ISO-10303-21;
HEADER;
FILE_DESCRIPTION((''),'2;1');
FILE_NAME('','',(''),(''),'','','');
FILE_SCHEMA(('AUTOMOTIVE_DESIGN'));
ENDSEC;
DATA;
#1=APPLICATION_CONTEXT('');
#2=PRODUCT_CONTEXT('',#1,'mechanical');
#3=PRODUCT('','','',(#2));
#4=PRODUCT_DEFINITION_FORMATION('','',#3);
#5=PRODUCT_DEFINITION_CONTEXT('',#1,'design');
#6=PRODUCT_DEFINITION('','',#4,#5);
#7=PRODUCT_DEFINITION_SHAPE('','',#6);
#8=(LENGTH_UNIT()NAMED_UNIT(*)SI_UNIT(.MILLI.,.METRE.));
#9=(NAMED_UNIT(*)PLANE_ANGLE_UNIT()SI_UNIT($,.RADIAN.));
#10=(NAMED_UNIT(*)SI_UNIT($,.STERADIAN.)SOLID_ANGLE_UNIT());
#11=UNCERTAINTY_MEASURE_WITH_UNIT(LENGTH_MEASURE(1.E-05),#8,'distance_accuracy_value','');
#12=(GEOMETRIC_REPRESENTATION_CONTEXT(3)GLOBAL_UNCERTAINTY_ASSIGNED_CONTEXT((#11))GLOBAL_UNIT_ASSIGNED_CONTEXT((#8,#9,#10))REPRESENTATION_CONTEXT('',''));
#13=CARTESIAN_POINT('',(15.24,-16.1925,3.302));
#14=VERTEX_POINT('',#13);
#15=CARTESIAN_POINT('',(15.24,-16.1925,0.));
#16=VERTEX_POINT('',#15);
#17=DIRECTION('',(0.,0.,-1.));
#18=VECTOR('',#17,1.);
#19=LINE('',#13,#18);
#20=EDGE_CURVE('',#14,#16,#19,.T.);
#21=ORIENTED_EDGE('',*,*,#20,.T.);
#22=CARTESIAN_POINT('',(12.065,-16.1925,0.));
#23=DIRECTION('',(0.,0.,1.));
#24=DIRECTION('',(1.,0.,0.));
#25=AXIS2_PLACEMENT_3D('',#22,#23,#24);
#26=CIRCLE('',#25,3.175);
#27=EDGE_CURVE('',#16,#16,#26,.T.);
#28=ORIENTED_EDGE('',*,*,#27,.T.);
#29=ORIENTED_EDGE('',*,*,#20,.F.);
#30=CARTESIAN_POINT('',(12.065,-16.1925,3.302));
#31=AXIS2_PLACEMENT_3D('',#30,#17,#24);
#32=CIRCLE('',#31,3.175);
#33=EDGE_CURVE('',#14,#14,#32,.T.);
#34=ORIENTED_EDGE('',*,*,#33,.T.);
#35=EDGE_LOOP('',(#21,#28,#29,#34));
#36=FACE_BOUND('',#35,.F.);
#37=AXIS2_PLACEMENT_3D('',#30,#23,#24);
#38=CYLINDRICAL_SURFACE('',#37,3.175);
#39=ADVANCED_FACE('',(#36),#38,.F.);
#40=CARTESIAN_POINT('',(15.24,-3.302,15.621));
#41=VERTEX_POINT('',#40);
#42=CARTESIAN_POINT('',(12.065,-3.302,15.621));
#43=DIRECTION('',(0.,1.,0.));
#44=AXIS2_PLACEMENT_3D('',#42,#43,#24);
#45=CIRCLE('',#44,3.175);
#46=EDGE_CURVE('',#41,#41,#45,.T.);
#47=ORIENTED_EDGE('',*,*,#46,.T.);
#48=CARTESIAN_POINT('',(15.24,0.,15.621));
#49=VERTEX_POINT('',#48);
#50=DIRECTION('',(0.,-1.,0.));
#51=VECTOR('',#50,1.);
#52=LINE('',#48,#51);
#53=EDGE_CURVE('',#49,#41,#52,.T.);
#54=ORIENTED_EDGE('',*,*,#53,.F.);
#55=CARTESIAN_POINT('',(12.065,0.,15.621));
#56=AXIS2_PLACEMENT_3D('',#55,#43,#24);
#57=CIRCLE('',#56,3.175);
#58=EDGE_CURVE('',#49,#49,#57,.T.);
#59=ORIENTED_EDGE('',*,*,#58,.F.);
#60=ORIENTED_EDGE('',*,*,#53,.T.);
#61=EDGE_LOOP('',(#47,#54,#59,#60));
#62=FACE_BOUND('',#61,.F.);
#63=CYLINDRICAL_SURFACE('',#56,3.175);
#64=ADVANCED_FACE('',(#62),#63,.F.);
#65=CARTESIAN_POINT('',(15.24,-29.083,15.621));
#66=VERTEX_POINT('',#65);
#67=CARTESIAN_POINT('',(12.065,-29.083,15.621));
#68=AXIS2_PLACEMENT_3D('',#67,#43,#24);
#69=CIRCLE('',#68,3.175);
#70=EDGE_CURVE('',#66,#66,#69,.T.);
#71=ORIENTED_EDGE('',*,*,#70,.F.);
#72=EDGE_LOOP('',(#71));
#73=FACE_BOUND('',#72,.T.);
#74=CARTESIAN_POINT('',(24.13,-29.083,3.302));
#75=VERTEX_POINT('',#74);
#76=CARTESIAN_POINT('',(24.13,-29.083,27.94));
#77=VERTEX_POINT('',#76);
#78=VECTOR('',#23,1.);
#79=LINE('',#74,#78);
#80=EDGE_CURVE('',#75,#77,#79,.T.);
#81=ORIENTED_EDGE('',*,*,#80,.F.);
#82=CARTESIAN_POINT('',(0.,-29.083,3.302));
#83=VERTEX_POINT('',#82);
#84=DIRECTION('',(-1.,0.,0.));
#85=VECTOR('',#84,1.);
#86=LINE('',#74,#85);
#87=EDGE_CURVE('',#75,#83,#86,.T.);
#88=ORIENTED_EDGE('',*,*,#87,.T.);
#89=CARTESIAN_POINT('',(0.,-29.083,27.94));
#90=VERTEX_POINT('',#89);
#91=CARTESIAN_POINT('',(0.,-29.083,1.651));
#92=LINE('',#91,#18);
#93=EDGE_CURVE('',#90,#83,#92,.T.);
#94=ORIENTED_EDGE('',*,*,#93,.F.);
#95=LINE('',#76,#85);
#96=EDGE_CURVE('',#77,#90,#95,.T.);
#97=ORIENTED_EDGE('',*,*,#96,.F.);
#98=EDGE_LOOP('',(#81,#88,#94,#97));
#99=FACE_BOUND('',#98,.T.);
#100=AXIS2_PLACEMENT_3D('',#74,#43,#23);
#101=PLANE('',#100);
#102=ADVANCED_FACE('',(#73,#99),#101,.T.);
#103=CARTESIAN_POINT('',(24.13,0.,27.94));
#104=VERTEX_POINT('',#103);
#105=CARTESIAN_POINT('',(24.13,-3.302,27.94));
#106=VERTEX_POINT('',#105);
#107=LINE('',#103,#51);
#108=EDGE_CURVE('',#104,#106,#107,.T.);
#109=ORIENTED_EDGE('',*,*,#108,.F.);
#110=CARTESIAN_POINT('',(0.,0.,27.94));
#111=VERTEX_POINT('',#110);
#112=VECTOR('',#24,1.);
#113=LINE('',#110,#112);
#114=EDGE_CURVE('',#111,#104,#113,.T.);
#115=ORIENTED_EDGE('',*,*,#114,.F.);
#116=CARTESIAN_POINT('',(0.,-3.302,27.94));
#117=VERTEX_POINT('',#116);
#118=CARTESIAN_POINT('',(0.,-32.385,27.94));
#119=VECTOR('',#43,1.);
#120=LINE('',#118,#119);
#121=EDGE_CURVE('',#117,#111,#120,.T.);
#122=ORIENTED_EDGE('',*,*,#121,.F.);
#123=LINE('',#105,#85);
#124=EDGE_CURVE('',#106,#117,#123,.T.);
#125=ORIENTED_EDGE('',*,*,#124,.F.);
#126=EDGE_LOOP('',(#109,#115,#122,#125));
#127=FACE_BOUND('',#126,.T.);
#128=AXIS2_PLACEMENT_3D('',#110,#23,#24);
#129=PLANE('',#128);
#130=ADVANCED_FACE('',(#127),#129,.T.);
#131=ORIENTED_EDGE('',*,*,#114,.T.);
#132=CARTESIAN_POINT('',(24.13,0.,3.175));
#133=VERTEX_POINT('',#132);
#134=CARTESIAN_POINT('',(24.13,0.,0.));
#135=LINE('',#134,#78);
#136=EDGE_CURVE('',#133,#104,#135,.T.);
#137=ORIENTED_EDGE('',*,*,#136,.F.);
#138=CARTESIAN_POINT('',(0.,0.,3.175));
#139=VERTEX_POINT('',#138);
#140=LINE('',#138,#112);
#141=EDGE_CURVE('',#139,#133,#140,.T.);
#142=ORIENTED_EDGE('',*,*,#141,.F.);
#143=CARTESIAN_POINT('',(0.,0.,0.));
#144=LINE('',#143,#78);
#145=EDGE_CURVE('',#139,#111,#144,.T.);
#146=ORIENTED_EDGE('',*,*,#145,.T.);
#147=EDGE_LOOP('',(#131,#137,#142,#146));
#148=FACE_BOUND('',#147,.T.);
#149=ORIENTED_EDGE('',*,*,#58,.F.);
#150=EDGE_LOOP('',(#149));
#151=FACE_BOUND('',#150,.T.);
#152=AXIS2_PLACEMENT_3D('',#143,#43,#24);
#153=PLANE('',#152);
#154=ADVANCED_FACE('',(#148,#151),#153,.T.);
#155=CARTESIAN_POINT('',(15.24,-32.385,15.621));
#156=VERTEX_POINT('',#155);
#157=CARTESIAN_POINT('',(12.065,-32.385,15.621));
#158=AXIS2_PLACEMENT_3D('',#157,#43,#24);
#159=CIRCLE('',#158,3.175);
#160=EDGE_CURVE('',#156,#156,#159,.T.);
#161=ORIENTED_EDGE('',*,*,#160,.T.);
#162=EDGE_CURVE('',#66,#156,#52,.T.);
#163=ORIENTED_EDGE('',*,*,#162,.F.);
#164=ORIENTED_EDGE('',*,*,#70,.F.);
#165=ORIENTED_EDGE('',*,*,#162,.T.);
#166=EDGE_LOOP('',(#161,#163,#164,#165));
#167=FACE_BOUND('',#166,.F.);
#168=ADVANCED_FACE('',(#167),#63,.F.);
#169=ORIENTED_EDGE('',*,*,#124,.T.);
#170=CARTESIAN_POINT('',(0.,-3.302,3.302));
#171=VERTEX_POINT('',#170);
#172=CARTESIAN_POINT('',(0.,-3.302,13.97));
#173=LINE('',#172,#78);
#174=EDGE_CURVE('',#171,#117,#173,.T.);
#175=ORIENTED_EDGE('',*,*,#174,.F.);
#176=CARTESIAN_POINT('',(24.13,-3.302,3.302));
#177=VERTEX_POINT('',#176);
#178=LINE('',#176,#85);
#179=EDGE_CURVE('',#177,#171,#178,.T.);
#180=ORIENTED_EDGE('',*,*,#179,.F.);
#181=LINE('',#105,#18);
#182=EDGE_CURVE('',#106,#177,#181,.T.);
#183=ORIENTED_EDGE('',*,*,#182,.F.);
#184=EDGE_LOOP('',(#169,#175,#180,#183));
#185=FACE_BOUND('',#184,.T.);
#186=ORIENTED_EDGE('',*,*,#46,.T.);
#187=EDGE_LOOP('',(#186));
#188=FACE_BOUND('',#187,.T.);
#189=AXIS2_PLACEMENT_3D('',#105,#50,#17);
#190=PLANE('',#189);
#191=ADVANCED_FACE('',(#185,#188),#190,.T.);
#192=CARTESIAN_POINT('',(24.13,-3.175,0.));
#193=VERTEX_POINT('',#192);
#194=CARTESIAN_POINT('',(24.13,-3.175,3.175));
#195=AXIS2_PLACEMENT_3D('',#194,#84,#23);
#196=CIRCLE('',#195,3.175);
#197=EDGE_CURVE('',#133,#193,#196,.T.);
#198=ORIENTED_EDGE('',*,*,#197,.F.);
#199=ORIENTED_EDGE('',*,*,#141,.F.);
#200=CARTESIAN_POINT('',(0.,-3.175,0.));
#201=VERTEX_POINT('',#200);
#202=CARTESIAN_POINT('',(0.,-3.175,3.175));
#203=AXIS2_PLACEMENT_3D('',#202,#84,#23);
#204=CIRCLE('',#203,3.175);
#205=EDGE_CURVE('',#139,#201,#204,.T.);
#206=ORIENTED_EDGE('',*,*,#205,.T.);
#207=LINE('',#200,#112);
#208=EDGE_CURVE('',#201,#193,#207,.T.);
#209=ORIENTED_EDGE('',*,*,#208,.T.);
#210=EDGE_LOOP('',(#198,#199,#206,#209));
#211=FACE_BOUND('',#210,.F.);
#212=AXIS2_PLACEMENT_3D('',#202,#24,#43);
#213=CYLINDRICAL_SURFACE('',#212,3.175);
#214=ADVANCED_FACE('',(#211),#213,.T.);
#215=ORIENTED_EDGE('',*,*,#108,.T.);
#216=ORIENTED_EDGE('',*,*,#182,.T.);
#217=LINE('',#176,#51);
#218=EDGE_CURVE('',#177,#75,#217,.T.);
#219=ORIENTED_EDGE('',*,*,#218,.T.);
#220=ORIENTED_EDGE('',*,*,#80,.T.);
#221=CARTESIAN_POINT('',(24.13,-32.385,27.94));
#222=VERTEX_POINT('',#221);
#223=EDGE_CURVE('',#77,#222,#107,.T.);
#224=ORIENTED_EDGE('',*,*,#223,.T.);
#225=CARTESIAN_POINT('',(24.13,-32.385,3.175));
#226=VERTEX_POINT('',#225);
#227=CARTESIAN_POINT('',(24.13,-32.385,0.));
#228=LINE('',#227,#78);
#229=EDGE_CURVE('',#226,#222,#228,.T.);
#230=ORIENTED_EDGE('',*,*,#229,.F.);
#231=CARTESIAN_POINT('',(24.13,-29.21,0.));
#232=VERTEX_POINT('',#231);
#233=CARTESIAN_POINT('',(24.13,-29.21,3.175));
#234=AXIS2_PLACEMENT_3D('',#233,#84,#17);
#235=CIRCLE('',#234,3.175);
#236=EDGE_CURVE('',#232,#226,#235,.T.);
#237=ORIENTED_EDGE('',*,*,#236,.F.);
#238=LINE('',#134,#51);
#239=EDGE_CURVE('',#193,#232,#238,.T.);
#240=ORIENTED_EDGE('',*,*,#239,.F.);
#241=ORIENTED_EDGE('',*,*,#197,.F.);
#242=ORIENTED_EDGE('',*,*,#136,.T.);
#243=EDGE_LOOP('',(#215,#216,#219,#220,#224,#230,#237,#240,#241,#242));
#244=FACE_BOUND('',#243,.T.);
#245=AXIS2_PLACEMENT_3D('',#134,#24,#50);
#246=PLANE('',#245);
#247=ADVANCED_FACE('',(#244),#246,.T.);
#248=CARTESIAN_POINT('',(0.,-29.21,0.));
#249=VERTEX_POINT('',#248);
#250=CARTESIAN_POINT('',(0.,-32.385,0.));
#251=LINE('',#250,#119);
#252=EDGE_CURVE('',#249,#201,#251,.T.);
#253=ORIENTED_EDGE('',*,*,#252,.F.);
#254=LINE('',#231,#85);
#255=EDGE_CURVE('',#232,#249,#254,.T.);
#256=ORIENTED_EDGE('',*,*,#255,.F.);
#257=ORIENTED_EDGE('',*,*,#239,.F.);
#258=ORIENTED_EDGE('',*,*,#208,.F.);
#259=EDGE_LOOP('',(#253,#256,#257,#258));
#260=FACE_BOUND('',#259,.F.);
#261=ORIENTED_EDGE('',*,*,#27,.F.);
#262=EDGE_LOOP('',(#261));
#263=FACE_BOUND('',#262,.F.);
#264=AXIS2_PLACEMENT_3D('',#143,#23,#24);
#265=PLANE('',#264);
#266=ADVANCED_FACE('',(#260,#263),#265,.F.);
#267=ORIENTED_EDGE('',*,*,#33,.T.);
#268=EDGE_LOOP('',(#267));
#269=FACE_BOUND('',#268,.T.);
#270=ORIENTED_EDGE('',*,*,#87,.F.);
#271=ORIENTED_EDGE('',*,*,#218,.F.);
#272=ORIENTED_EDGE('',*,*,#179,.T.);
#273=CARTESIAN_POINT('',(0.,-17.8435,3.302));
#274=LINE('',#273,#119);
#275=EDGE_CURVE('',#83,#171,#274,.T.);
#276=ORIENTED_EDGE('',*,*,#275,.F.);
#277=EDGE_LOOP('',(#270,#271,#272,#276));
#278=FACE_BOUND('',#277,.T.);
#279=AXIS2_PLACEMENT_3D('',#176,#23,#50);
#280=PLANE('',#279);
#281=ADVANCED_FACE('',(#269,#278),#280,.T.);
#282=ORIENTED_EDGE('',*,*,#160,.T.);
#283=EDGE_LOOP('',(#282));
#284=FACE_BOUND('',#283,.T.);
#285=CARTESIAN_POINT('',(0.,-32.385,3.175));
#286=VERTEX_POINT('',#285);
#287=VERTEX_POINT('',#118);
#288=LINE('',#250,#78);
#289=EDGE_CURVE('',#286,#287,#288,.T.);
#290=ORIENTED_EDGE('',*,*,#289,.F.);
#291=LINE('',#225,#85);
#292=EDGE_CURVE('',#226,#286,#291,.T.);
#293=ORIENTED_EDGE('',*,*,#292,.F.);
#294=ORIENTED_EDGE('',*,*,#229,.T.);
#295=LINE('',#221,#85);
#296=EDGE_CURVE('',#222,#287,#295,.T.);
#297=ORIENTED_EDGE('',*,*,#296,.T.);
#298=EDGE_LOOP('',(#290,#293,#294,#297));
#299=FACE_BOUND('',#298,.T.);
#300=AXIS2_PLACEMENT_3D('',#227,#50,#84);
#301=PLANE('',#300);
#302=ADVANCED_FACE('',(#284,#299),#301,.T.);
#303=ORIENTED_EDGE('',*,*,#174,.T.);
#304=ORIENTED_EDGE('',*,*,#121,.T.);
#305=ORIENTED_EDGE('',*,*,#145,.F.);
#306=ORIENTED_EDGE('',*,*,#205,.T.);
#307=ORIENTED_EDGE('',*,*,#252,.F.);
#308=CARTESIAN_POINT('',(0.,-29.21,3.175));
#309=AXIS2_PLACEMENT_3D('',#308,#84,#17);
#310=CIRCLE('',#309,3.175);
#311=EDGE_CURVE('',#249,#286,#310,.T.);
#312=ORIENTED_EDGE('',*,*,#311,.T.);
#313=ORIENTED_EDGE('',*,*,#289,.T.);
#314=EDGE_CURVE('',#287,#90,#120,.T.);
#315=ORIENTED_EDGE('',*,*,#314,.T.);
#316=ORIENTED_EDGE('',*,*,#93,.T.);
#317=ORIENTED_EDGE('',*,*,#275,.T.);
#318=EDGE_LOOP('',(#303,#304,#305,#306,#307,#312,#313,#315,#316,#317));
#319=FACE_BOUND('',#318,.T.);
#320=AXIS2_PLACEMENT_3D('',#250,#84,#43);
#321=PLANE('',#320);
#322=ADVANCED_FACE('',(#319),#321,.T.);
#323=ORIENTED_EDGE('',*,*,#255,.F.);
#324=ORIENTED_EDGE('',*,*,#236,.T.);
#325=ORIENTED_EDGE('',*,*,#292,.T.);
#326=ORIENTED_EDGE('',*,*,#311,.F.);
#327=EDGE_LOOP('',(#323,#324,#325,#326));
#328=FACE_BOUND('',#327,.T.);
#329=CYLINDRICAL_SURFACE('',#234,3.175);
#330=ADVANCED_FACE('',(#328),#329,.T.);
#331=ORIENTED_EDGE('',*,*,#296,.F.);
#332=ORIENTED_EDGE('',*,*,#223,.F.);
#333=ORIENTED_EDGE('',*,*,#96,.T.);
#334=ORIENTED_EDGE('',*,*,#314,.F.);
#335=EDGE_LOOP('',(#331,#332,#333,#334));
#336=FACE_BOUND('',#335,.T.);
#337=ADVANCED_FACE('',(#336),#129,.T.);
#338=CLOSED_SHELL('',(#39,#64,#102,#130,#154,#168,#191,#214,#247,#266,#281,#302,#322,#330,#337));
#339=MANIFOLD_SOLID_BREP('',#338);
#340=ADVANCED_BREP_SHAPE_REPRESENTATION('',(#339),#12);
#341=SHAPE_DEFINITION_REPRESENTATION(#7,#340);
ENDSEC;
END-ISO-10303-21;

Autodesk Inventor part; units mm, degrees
ref_plane "YZ Plane" through (0, 0, 0) normal (1, 0, 0) x (0, 1, 0)
ref_plane "XZ Plane" through (0, 0, 0) normal (0, 1, 0) x (-1, 0, 0)
ref_plane "XY Plane" through (0, 0, 0) normal (0, 0, 1) x (1, 0, 0)
sketch "Sketch1" plane through (0, 0, 0) normal (0, 0, 1) x (1, 0, 0)
  line L0 (0, 0) -> (24.13, 0)
  line L1 (24.13, 0) -> (24.13, -32.385)
  line L2 (24.13, -32.385) -> (0, -32.385)
  line L3 (0, -32.385) -> (0, 0)
  dimension "d0" = 24.13
  dimension "d1" = 32.385
extrude "Extrusion1" add sketch "Sketch1" along normal blind 27.94
sketch "Sketch2" plane through (24.13, -32.385, 0) normal (1, 0, 0) x (0, 0, -1)
  line L0 (-27.94, 29.083) -> (-3.302, 29.083)
  line L1 (-3.302, 29.083) -> (-3.302, 3.302)
  line L2 (-3.302, 3.302) -> (-27.94, 3.302)
  line L3 (-27.94, 3.302) -> (-27.94, 29.083)
  line L4 (-27.94, 0) -> (-27.94, 32.385) projected
  line L5 (0, 0) -> (-27.94, 0) projected
  line L6 (0, 32.385) -> (0, 0) projected
  line L7 (0, 32.385) -> (-27.94, 32.385) projected
  dimension "d4" = 0
  dimension "d5" = 3.302
  dimension "d6" = 3.302
  dimension "d7" = 3.302
extrude "Extrusion2" cut sketch "Sketch2" against normal blind 34.925 contours L0 L1 L2 L3
sketch "Sketch3" plane through (24.13, -29.083, 3.302) normal (0, 0, 1) x (1, 0, 0)
  line L0 (-24.13, 0) -> (-24.13, 25.781) projected
  line L1 (0, 0) -> (-24.13, 0) projected
  line L2 (0, 25.781) -> (0, 0) projected
  line L3 (0, 25.781) -> (-24.13, 25.781) projected
  line L4 (-24.13, 25.781) -> (0, 25.781) projected
  line L5 (-12.065, 25.781) -> (-12.065, 0)
  line L6 (0, 0) -> (-24.13, 0) projected
  line L7 (-24.13, 0) -> (-24.13, 25.781) projected
  line L8 (-24.13, 12.8905) -> (0, 12.8905)
  circle A0 centre (-12.065, 12.8905) radius 3.175
  point P0 (-24.13, 29.083)
  dimension "d10" = 6.35
extrude "Extrusion3" cut sketch "Sketch3" against normal blind 34.925 contours A0 L5 L8 | L8 L5 A0 | L5 L8 A0 | L5 A0 L8
fillet "Fillet1" radius 3.175 2 edges at (12.065, 0, 0) (12.065, -32.385, 0)
sketch "Sketch4" plane through (0, 0, 27.94) normal (0, 1, 0) x (1, 0, 0)
  circle A0 centre (12.065, 12.319) radius 3.175
  line L0 (24.13, 24.765) -> (24.13, 0) projected
  line L1 (24.13, 0) -> (0, 0) projected
  point P0 (0, 27.94)
  dimension "d14" = 6.35
  dimension "d15" = 12.065
  dimension "d16" = 12.319
extrude "Extrusion4" cut sketch "Sketch4" against normal blind 34.925
properties part number "RobotArm CylinderPart2"
